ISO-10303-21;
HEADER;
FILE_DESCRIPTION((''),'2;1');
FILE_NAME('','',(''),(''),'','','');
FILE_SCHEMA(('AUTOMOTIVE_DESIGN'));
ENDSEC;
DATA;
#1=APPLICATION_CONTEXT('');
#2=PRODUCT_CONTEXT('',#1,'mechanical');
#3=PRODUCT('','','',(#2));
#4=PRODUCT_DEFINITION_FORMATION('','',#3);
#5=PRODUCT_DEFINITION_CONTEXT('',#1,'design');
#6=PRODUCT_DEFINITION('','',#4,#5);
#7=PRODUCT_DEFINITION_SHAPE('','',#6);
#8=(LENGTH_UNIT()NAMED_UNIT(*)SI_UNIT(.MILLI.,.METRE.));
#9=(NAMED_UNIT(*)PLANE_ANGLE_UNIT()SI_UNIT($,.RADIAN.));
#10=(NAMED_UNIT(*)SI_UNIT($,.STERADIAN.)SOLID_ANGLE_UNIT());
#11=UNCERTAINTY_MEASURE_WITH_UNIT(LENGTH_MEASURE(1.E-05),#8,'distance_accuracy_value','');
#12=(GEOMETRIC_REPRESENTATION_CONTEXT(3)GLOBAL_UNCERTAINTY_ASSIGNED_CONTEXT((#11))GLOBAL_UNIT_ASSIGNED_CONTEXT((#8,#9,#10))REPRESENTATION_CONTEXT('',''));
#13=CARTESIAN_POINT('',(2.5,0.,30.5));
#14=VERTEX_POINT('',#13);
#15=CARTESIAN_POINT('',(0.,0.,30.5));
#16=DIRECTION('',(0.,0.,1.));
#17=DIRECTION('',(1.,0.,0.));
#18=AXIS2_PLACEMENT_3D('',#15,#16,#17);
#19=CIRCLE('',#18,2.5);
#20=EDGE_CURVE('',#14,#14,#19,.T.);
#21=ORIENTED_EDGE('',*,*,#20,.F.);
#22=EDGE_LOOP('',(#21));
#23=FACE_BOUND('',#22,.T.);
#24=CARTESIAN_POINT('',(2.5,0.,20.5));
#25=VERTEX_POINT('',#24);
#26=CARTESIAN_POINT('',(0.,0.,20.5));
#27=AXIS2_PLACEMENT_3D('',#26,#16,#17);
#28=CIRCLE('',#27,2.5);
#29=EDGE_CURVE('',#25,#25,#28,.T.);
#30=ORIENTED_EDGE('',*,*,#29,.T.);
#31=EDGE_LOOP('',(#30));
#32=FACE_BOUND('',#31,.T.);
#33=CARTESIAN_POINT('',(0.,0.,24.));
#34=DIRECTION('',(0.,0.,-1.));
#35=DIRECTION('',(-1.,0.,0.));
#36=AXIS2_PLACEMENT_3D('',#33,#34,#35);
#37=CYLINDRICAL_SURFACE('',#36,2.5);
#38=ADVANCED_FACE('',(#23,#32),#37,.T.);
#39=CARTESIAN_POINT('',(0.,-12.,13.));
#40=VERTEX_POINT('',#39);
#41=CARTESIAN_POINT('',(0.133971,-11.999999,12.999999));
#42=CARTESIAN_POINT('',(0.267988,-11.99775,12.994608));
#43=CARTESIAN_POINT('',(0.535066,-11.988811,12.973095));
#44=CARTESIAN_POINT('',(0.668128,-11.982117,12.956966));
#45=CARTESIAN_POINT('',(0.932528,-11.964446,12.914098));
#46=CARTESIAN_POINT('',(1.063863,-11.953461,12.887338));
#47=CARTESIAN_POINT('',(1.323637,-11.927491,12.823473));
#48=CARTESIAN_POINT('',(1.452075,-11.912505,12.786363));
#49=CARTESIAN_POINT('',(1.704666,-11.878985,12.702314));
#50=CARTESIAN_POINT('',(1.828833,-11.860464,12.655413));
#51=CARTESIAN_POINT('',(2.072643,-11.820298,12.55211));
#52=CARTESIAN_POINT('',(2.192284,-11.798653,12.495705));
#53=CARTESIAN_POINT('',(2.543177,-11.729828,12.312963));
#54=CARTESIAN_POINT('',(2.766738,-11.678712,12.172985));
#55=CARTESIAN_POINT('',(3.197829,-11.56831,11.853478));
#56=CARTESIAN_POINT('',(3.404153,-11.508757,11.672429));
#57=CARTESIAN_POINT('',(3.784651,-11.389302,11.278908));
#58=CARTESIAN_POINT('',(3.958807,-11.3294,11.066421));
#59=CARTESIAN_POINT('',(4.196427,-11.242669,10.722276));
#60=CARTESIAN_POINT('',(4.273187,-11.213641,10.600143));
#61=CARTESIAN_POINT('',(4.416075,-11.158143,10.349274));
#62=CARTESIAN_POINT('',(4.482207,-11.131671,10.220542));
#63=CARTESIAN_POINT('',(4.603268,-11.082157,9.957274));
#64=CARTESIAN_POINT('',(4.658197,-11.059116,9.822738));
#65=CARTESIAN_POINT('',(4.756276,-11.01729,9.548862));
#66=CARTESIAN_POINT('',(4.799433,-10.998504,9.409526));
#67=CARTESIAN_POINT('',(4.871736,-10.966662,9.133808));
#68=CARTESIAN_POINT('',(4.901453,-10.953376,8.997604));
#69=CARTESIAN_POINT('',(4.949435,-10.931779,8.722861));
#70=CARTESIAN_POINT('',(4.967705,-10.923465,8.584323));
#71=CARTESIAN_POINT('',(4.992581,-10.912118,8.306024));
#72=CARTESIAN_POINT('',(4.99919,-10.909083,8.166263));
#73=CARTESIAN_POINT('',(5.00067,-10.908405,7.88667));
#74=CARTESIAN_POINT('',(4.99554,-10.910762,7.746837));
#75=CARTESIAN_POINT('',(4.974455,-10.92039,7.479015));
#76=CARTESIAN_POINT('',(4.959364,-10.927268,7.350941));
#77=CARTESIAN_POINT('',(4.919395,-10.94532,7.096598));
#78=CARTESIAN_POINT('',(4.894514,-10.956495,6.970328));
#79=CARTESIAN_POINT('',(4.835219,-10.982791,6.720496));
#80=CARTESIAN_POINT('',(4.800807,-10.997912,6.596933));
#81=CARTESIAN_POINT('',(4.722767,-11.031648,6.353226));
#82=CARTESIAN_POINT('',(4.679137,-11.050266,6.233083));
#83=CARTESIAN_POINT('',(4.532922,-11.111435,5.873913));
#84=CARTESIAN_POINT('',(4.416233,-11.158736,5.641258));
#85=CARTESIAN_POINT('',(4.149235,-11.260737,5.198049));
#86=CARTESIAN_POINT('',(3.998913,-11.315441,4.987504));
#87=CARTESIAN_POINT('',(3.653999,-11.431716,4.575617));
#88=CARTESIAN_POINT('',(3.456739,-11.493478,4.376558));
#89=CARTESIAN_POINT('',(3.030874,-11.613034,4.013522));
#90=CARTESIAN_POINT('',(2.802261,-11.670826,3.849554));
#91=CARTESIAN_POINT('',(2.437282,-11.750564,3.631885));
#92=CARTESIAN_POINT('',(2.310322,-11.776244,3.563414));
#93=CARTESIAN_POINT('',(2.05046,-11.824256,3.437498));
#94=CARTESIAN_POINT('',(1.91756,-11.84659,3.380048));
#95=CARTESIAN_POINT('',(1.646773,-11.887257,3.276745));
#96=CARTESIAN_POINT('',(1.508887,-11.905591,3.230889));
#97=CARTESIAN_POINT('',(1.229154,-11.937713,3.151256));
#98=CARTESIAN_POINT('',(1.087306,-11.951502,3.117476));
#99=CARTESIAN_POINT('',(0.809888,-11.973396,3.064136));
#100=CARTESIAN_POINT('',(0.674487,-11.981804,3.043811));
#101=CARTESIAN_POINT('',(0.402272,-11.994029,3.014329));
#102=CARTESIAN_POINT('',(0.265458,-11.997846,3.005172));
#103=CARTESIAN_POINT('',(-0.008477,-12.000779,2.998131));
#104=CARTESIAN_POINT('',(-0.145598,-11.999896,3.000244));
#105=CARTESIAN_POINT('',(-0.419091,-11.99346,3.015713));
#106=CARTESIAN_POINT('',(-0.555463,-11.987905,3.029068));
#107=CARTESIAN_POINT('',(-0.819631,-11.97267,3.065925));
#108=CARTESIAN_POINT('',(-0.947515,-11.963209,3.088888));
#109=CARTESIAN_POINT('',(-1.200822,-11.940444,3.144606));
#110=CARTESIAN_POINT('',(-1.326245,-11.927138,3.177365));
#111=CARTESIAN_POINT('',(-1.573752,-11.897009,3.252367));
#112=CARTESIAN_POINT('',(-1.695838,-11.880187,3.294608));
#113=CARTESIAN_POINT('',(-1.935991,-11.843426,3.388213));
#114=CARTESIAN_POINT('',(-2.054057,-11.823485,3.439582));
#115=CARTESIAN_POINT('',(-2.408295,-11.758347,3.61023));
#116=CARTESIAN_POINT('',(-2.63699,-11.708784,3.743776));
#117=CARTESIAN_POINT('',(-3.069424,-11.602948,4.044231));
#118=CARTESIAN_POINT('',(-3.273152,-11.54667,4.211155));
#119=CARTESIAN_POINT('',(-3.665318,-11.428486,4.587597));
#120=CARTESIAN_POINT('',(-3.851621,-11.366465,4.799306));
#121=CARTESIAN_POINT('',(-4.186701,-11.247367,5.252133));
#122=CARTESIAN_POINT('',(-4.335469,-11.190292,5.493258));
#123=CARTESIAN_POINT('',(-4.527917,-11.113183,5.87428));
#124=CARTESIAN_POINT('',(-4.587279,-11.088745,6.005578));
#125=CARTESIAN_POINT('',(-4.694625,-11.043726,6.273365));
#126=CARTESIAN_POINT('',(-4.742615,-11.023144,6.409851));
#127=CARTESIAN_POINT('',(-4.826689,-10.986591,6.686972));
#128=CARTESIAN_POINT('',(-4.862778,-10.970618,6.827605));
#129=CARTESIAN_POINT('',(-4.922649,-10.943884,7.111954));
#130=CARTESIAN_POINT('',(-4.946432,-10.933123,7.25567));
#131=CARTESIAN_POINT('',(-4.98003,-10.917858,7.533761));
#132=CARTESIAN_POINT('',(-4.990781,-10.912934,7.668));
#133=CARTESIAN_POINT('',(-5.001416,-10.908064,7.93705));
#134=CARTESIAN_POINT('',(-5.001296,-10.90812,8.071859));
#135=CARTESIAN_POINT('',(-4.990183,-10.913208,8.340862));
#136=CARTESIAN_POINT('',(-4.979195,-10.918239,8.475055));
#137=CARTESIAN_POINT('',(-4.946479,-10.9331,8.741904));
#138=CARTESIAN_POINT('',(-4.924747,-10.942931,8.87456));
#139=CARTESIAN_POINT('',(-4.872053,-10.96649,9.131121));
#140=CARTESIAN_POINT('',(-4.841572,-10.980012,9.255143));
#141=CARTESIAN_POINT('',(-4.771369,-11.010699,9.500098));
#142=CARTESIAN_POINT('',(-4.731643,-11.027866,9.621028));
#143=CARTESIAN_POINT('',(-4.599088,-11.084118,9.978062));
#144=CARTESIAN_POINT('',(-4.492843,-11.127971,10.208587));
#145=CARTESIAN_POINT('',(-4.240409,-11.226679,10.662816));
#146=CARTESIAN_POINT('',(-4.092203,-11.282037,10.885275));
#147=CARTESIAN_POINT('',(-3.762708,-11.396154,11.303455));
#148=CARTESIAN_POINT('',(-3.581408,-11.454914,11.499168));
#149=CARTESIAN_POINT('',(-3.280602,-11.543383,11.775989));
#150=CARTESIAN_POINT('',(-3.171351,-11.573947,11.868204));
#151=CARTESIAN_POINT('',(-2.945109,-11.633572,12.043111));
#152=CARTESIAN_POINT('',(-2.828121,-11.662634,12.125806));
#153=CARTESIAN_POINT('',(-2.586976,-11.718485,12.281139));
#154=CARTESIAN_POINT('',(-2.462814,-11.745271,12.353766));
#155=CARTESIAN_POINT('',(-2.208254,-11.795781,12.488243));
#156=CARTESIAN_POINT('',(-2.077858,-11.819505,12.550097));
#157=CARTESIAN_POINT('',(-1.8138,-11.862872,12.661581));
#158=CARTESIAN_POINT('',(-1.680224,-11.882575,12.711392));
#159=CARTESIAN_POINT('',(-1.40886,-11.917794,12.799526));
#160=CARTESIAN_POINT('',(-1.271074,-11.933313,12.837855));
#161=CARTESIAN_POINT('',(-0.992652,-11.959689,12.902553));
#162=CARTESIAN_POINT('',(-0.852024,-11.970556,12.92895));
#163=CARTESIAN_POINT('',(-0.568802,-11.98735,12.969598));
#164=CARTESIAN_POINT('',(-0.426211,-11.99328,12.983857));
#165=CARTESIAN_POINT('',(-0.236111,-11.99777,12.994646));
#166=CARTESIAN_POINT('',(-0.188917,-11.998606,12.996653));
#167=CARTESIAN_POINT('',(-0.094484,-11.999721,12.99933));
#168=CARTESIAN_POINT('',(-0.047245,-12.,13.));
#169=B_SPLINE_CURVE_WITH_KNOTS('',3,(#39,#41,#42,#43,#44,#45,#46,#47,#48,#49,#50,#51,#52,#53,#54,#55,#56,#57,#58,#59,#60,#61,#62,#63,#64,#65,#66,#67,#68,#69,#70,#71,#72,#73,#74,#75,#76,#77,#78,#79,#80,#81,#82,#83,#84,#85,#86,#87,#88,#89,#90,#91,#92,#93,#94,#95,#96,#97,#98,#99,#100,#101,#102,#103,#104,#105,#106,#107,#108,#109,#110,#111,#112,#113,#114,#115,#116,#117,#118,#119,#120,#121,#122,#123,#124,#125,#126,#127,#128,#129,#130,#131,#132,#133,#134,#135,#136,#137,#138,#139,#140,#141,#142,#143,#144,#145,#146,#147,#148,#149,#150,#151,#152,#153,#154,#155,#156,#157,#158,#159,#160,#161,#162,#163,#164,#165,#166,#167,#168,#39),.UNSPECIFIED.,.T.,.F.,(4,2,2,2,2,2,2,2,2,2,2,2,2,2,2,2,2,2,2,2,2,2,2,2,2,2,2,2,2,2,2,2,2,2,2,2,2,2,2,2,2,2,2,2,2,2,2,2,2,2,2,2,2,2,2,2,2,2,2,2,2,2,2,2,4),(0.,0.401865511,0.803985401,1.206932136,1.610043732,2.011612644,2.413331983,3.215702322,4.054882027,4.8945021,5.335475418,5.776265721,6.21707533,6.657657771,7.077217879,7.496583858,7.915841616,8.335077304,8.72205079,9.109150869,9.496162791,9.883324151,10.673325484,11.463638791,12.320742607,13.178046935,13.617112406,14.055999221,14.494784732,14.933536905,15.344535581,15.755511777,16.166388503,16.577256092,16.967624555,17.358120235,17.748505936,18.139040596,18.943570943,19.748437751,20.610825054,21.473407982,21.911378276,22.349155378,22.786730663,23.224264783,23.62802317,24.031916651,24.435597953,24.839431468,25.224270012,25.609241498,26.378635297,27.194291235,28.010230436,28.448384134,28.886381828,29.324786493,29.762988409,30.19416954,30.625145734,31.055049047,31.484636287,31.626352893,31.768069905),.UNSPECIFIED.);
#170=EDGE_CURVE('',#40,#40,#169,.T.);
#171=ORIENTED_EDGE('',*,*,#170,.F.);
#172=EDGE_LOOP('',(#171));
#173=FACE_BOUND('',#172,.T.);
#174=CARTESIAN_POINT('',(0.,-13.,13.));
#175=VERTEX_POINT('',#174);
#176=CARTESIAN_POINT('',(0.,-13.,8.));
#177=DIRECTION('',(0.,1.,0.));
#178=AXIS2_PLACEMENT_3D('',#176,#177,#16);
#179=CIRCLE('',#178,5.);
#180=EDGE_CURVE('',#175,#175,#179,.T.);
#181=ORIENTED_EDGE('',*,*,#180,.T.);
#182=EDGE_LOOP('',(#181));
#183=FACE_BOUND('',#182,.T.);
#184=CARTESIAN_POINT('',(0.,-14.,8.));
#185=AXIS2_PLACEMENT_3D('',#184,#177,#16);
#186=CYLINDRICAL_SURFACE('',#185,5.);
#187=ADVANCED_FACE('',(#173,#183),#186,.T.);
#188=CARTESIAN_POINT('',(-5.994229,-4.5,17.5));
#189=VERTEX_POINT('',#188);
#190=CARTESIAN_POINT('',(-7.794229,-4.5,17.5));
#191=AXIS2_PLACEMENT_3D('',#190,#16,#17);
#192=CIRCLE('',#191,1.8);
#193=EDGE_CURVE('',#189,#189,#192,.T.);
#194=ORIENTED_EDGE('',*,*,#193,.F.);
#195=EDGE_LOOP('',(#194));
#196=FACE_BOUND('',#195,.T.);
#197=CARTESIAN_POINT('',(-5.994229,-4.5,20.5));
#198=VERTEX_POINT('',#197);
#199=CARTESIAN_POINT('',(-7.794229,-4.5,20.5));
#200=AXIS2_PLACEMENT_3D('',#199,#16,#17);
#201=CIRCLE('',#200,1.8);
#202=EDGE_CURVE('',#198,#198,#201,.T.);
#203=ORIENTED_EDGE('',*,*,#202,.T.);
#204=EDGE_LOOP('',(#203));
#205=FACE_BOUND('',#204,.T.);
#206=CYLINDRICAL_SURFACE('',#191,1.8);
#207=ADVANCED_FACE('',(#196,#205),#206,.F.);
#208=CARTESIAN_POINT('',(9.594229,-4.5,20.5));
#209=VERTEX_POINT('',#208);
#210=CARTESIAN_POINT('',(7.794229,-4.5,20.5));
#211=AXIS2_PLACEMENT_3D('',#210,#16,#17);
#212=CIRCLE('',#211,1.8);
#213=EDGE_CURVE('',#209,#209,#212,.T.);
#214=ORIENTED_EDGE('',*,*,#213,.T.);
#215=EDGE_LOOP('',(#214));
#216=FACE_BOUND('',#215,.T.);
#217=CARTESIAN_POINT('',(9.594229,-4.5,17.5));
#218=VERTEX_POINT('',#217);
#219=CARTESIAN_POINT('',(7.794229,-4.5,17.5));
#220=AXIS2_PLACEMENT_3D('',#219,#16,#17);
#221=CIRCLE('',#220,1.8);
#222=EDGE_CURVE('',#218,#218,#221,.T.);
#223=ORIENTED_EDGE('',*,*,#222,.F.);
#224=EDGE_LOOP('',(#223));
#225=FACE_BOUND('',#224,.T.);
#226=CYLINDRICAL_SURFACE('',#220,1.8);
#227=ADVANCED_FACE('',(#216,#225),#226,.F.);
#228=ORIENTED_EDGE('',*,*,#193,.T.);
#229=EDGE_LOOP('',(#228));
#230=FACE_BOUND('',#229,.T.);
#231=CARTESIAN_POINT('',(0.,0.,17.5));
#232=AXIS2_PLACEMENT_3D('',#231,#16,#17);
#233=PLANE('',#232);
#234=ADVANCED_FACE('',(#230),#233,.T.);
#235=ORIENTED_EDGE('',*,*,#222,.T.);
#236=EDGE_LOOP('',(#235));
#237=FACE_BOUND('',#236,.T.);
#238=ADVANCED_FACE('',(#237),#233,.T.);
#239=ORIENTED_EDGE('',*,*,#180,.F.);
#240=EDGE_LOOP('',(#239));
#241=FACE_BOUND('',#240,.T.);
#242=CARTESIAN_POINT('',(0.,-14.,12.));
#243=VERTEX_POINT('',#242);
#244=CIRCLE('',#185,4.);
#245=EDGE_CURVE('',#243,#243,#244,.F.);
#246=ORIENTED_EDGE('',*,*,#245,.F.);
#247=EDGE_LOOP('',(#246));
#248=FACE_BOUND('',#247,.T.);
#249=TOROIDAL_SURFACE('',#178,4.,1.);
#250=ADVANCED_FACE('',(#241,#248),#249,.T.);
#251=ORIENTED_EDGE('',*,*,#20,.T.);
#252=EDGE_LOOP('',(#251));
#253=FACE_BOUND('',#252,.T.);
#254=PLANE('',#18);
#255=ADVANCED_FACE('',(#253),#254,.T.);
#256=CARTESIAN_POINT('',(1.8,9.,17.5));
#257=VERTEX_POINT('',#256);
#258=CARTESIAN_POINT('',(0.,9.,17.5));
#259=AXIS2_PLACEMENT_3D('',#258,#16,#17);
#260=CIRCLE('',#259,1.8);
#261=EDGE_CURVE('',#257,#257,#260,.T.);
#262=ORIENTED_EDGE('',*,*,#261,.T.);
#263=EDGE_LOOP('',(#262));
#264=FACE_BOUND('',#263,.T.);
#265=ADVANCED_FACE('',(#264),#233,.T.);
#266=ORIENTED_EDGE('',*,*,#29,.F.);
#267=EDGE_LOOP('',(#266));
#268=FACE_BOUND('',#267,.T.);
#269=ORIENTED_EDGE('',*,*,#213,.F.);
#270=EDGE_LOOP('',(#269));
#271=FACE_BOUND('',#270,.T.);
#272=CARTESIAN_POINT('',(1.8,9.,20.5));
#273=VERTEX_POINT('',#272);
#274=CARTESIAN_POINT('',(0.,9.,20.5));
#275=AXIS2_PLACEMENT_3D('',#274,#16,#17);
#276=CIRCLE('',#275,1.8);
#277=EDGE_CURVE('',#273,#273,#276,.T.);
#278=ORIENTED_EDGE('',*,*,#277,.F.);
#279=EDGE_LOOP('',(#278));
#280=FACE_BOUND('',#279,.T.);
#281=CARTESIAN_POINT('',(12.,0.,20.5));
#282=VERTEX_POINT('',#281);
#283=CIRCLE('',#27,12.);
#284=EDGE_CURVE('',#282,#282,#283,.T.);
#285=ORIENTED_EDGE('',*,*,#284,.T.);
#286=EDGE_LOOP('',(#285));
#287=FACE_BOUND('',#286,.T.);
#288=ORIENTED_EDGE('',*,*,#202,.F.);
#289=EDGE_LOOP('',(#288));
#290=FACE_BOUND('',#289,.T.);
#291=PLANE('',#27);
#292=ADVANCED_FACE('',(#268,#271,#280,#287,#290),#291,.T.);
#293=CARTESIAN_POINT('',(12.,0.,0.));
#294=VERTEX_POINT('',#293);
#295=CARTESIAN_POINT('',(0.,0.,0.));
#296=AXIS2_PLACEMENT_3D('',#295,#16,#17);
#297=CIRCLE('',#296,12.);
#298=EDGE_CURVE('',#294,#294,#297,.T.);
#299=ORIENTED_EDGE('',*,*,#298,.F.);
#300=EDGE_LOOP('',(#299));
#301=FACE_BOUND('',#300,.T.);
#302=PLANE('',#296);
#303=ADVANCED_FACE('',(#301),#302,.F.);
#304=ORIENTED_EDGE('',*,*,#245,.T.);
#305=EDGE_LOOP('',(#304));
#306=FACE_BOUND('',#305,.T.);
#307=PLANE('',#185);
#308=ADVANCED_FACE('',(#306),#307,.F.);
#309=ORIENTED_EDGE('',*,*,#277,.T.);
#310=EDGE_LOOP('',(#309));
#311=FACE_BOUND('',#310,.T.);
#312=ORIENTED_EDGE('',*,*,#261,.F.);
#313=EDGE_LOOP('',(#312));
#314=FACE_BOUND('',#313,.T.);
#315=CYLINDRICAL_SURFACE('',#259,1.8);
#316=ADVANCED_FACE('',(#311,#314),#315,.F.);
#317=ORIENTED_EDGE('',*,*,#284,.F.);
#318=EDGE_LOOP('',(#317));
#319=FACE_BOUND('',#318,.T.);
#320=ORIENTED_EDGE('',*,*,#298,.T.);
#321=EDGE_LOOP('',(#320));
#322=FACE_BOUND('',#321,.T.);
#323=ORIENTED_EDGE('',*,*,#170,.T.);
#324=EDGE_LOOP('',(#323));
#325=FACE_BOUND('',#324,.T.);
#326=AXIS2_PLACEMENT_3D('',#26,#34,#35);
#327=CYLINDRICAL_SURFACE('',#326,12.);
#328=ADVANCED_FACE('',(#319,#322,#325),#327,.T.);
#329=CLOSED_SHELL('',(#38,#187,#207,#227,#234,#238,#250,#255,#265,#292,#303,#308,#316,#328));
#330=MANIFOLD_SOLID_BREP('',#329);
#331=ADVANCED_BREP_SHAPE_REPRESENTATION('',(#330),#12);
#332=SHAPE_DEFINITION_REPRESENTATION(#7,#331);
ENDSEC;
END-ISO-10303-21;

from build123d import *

# Parameters (mm, degrees)
ESQUISSE1_R             = 12
BOSS_EXTRU_1_DEPTH      = 20.5
ESQUISSE2_R             = 2.5
BOSS_EXTRU_2_DEPTH      = 3.5
ESQUISSE3_R             = 1.8
ENL_V_MAT_EXTRU_1_DEPTH = 3
ESQUISSE4_R             = 2.5
BOSS_EXTRU_3_DEPTH      = 6.5
ESQUISSE5_R             = 5
BOSS_EXTRU_4_DEPTH      = 14
CONG_1_R                = 1


with BuildPart() as part:
    # Esquisse1 → Boss.-Extru.1 (new body)
    with BuildSketch(Plane.XY):
        Circle(ESQUISSE1_R)
    extrude(amount=BOSS_EXTRU_1_DEPTH)

    # Esquisse2 → Boss.-Extru.2 (add)
    with BuildSketch(Plane.XY.offset(20.5)):
        Circle(ESQUISSE2_R)
    extrude(amount=BOSS_EXTRU_2_DEPTH)

    # Esquisse3 → Enlèv. mat.-Extru.1 (cut)
    with BuildSketch(Plane.XY.offset(20.5)):
        with Locations((0, 9)):
            Circle(ESQUISSE3_R)
        with Locations((-7.794228634, -4.5)):
            Circle(ESQUISSE3_R)
        with Locations((7.794228634, -4.5)):
            Circle(ESQUISSE3_R)
    extrude(amount=-ENL_V_MAT_EXTRU_1_DEPTH, mode=Mode.SUBTRACT)

    # Esquisse4 → Boss.-Extru.3 (add)
    with BuildSketch(Plane.XY.offset(24)):
        Circle(ESQUISSE4_R)
    extrude(amount=BOSS_EXTRU_3_DEPTH)

    # Esquisse5 → Boss.-Extru.4 (add)
    with BuildSketch(Plane(origin=(0, 0, 0), x_dir=(1, 0, 0), z_dir=(0, 1, 0))):
        with Locations((0, -8)):
            Circle(ESQUISSE5_R)
    extrude(amount=-BOSS_EXTRU_4_DEPTH)

    # Congé1
    cong_1_edges = [part.edges().sort_by_distance(p)[0] for p in [
        (-5, -14, 8),
    ]]
    fillet(cong_1_edges, radius=CONG_1_R)


solid = part.part
